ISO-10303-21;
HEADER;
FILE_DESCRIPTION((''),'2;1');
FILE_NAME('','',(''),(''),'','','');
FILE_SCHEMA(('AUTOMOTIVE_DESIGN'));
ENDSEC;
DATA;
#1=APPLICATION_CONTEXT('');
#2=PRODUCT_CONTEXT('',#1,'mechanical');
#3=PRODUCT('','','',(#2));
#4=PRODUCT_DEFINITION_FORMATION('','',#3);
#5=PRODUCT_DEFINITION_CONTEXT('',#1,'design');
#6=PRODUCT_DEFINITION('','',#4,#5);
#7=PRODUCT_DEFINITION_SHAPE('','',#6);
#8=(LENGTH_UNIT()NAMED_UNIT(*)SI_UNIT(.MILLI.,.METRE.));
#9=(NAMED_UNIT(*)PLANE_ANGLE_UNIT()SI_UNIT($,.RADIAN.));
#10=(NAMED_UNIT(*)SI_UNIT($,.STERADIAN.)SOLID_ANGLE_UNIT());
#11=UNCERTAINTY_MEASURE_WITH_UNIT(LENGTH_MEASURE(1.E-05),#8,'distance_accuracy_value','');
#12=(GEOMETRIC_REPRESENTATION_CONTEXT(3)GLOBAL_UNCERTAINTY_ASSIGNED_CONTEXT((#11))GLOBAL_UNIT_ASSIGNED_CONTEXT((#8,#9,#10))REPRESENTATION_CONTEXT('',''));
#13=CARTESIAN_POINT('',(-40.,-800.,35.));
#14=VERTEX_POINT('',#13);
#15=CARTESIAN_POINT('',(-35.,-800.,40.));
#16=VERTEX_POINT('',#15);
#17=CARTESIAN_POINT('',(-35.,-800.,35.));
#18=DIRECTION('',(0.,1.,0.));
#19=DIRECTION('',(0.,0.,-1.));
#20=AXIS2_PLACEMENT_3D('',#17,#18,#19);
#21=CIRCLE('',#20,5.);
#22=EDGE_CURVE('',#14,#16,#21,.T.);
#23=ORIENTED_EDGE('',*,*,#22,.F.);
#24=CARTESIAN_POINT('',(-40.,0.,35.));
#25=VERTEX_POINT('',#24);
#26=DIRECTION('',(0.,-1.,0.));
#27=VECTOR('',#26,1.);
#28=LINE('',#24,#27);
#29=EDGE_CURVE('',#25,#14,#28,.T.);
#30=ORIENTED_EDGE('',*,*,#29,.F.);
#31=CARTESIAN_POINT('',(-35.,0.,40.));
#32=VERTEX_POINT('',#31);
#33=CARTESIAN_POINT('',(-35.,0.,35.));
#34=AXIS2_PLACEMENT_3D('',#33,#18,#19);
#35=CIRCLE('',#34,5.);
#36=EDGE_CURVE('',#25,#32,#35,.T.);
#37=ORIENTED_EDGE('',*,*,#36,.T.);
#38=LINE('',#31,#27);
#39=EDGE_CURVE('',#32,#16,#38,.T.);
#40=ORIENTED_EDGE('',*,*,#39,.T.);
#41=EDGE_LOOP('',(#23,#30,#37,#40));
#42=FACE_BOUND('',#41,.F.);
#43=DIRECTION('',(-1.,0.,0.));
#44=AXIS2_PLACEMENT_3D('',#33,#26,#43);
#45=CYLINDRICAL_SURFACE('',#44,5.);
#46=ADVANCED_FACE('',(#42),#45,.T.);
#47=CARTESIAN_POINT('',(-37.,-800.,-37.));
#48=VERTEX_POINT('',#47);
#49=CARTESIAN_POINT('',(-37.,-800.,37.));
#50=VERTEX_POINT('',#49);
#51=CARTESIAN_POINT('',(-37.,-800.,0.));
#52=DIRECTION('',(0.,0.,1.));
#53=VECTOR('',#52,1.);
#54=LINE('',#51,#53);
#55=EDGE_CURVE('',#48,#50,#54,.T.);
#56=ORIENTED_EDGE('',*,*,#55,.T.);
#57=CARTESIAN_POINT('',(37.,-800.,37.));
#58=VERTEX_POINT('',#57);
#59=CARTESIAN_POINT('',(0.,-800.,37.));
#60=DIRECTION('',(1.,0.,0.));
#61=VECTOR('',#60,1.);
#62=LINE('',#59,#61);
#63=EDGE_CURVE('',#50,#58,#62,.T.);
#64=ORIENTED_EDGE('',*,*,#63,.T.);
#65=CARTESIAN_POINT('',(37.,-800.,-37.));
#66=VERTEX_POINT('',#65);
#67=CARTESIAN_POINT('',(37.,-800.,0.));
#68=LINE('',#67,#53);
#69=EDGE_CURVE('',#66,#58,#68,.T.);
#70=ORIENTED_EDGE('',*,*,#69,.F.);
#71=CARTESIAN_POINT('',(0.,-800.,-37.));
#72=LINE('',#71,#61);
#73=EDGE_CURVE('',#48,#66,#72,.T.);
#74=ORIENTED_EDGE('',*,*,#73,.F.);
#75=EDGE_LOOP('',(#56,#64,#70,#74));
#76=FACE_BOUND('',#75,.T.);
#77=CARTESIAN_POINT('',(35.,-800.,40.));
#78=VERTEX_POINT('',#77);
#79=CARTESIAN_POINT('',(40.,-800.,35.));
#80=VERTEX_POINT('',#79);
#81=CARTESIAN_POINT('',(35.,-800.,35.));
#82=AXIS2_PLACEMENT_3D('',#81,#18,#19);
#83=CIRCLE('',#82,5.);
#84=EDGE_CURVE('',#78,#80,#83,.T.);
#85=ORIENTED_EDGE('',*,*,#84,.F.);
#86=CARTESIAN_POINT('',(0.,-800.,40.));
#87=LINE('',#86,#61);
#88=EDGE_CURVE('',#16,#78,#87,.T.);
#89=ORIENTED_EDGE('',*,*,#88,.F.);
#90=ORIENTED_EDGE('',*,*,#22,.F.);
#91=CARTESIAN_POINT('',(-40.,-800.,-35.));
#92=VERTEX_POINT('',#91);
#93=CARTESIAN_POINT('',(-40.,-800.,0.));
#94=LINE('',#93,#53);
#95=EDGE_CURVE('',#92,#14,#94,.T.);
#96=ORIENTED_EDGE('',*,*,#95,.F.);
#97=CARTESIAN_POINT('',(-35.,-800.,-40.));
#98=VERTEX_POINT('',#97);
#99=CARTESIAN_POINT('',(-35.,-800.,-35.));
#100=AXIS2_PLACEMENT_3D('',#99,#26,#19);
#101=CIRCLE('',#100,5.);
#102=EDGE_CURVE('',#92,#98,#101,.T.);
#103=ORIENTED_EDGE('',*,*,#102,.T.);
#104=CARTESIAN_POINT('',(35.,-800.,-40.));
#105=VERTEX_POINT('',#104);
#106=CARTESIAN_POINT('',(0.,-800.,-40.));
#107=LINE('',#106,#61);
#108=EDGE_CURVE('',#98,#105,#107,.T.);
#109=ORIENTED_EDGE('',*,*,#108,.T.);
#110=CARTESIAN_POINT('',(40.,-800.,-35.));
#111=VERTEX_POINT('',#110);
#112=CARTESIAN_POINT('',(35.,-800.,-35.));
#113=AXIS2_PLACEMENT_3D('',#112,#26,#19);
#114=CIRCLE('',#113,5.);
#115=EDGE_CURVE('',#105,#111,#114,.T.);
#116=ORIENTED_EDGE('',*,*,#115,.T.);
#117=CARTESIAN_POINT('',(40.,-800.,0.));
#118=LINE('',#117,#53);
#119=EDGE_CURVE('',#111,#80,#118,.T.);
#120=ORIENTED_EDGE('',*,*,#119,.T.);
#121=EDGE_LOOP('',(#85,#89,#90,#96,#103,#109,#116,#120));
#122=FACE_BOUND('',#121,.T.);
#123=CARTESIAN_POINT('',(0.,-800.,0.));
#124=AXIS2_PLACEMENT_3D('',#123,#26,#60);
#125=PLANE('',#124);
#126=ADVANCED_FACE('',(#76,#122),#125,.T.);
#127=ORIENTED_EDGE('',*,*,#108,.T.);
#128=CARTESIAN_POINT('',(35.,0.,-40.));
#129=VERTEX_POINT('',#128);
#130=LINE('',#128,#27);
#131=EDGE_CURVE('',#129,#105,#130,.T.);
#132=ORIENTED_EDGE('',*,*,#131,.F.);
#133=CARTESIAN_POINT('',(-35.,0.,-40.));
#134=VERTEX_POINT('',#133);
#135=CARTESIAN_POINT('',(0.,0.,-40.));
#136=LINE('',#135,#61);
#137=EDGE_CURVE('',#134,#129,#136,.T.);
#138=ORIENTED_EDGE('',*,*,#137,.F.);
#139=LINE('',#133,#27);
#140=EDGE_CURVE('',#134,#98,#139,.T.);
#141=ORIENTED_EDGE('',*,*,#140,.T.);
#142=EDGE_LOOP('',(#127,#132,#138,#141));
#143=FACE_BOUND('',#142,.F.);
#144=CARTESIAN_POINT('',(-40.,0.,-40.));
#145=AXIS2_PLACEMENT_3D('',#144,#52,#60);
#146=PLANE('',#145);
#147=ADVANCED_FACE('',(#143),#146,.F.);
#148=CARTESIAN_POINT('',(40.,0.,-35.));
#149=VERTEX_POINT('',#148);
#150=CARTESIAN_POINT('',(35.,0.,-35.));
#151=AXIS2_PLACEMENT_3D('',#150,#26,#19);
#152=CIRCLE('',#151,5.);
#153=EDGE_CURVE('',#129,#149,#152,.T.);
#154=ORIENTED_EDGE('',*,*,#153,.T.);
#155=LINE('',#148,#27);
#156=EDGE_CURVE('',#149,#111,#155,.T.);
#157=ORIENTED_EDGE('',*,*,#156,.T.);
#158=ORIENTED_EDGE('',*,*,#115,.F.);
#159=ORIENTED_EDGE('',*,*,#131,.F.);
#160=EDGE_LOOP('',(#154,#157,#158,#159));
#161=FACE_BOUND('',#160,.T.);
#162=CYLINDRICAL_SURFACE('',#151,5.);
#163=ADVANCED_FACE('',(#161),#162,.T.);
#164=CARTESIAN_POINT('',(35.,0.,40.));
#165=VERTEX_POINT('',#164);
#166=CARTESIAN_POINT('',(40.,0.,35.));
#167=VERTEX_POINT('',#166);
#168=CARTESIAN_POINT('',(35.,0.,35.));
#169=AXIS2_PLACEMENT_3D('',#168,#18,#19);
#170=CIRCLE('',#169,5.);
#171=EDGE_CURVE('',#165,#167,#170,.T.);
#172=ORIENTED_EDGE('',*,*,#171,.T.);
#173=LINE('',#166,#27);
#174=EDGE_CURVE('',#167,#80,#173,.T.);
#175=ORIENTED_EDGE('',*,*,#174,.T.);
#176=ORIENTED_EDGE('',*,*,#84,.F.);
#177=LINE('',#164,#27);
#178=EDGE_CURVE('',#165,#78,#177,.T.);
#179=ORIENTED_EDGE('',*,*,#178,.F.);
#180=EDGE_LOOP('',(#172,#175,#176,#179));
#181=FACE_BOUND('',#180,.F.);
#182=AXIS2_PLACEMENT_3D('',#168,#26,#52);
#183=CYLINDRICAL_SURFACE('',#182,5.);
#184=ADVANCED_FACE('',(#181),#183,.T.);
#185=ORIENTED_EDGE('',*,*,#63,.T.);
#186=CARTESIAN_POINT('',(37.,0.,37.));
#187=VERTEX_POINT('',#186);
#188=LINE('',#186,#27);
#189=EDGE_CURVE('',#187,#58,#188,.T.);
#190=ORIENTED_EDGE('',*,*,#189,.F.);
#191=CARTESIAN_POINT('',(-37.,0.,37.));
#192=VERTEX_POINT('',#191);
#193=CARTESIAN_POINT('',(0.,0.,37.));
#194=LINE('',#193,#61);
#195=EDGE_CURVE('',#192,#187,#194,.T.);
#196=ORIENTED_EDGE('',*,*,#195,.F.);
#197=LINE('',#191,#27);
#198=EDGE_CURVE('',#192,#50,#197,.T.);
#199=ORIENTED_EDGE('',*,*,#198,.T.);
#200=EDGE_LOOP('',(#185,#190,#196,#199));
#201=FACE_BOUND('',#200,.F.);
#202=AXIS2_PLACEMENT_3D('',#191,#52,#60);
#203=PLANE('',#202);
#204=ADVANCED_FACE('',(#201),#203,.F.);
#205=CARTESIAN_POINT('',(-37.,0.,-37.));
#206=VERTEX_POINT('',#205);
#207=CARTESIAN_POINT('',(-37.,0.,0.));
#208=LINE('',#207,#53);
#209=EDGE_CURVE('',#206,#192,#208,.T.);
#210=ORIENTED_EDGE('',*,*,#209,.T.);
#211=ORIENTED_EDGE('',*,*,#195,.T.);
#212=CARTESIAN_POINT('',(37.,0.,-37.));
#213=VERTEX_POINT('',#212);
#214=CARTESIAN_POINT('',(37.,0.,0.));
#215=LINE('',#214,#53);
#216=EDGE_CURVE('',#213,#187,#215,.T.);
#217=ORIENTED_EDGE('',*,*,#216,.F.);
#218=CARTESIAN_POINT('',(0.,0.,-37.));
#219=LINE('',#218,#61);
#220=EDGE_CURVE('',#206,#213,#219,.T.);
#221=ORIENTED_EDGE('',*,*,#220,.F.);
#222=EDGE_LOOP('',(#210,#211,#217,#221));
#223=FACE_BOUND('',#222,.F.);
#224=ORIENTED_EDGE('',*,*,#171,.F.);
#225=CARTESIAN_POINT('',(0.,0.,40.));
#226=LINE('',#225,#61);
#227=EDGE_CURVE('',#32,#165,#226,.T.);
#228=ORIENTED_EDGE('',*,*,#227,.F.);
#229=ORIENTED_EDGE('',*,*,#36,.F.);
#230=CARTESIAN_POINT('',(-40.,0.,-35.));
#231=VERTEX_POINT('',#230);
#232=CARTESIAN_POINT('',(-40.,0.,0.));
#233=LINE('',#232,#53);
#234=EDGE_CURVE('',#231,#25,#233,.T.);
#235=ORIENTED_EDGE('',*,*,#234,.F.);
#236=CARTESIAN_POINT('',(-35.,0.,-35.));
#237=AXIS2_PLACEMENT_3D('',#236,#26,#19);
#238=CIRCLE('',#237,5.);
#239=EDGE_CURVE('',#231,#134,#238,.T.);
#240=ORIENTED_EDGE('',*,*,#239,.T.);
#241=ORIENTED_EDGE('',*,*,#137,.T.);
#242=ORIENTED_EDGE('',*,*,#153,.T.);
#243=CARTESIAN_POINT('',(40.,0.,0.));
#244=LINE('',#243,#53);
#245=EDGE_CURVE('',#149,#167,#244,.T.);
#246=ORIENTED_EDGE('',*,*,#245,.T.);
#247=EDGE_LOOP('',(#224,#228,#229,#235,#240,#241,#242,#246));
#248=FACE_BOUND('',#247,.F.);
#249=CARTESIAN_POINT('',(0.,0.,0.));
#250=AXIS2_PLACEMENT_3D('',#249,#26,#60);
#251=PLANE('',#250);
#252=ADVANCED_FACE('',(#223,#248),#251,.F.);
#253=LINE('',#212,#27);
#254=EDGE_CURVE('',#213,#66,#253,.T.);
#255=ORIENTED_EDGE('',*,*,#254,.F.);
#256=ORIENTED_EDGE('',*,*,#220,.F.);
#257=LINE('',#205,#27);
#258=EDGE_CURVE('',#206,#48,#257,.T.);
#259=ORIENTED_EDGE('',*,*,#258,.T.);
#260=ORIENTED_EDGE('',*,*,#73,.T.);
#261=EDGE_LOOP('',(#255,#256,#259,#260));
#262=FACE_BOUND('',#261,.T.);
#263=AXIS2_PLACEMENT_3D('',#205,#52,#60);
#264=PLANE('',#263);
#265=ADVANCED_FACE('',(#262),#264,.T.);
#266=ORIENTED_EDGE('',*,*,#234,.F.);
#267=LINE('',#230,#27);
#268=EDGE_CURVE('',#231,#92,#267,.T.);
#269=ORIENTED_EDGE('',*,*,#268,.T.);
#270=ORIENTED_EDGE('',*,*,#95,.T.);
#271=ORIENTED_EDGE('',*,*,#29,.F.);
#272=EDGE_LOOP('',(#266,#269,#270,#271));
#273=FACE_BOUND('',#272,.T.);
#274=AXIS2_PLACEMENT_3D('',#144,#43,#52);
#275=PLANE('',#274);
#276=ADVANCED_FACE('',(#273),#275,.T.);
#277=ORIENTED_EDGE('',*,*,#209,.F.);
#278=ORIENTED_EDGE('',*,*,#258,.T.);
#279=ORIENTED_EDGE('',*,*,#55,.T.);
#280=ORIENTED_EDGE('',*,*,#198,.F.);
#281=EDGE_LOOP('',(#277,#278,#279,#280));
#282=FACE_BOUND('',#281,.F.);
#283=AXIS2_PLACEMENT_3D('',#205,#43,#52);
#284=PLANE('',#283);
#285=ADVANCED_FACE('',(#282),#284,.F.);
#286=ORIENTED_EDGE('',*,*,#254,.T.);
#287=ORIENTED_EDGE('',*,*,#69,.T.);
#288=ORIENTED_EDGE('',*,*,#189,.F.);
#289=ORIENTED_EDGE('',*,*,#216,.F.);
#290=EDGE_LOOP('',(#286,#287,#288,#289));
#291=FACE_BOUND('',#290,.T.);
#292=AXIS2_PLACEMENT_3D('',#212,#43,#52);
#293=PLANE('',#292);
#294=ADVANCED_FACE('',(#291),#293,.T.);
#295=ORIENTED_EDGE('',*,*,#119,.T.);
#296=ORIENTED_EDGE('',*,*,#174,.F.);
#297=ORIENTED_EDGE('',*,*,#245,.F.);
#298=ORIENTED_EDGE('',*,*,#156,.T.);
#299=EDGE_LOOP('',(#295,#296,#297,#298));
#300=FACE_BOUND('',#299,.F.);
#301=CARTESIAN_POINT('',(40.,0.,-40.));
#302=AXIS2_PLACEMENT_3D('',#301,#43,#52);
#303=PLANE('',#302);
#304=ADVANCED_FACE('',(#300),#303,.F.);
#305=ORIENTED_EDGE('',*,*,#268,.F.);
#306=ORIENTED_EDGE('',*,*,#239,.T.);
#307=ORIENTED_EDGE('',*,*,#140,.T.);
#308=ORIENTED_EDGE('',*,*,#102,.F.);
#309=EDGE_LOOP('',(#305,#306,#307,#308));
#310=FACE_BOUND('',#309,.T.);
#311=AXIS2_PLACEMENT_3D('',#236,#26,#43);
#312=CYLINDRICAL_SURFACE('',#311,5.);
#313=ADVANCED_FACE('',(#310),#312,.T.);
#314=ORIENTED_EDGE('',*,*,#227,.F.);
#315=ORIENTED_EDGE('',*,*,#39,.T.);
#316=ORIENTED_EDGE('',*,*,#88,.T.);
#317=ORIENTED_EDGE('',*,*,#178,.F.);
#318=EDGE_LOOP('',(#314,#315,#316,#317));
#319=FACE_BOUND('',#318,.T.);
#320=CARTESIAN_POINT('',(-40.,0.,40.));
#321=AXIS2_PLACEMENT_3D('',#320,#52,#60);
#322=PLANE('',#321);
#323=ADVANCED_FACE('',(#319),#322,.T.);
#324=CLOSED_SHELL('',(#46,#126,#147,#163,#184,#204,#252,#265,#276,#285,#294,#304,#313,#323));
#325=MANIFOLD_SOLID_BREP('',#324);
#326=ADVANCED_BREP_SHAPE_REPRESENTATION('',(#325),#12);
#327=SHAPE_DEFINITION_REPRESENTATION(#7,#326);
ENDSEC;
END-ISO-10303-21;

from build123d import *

# Parameters (mm, degrees)
F0_W     = 80
F0_H     = 80
F0_W_2   = 74
F0_H_2   = 74
F1_DEPTH = 800
F2_R     = 5


with BuildPart() as f1:
    # F0 (on Front) → F1 (new body)
    with BuildSketch(Plane.XZ):
        Rectangle(F0_W, F0_H)
        Rectangle(F0_W_2, F0_H_2, mode=Mode.SUBTRACT)
    extrude(amount=F1_DEPTH)

    # F2
    f2_edges = [f1.edges().sort_by_distance(p)[0] for p in [
        (40, -400, 40),
        (-40, -400, 40),
        (40, -400, -40),
        (-40, -400, -40),
    ]]
    fillet(f2_edges, radius=F2_R)


solid = f1.part
